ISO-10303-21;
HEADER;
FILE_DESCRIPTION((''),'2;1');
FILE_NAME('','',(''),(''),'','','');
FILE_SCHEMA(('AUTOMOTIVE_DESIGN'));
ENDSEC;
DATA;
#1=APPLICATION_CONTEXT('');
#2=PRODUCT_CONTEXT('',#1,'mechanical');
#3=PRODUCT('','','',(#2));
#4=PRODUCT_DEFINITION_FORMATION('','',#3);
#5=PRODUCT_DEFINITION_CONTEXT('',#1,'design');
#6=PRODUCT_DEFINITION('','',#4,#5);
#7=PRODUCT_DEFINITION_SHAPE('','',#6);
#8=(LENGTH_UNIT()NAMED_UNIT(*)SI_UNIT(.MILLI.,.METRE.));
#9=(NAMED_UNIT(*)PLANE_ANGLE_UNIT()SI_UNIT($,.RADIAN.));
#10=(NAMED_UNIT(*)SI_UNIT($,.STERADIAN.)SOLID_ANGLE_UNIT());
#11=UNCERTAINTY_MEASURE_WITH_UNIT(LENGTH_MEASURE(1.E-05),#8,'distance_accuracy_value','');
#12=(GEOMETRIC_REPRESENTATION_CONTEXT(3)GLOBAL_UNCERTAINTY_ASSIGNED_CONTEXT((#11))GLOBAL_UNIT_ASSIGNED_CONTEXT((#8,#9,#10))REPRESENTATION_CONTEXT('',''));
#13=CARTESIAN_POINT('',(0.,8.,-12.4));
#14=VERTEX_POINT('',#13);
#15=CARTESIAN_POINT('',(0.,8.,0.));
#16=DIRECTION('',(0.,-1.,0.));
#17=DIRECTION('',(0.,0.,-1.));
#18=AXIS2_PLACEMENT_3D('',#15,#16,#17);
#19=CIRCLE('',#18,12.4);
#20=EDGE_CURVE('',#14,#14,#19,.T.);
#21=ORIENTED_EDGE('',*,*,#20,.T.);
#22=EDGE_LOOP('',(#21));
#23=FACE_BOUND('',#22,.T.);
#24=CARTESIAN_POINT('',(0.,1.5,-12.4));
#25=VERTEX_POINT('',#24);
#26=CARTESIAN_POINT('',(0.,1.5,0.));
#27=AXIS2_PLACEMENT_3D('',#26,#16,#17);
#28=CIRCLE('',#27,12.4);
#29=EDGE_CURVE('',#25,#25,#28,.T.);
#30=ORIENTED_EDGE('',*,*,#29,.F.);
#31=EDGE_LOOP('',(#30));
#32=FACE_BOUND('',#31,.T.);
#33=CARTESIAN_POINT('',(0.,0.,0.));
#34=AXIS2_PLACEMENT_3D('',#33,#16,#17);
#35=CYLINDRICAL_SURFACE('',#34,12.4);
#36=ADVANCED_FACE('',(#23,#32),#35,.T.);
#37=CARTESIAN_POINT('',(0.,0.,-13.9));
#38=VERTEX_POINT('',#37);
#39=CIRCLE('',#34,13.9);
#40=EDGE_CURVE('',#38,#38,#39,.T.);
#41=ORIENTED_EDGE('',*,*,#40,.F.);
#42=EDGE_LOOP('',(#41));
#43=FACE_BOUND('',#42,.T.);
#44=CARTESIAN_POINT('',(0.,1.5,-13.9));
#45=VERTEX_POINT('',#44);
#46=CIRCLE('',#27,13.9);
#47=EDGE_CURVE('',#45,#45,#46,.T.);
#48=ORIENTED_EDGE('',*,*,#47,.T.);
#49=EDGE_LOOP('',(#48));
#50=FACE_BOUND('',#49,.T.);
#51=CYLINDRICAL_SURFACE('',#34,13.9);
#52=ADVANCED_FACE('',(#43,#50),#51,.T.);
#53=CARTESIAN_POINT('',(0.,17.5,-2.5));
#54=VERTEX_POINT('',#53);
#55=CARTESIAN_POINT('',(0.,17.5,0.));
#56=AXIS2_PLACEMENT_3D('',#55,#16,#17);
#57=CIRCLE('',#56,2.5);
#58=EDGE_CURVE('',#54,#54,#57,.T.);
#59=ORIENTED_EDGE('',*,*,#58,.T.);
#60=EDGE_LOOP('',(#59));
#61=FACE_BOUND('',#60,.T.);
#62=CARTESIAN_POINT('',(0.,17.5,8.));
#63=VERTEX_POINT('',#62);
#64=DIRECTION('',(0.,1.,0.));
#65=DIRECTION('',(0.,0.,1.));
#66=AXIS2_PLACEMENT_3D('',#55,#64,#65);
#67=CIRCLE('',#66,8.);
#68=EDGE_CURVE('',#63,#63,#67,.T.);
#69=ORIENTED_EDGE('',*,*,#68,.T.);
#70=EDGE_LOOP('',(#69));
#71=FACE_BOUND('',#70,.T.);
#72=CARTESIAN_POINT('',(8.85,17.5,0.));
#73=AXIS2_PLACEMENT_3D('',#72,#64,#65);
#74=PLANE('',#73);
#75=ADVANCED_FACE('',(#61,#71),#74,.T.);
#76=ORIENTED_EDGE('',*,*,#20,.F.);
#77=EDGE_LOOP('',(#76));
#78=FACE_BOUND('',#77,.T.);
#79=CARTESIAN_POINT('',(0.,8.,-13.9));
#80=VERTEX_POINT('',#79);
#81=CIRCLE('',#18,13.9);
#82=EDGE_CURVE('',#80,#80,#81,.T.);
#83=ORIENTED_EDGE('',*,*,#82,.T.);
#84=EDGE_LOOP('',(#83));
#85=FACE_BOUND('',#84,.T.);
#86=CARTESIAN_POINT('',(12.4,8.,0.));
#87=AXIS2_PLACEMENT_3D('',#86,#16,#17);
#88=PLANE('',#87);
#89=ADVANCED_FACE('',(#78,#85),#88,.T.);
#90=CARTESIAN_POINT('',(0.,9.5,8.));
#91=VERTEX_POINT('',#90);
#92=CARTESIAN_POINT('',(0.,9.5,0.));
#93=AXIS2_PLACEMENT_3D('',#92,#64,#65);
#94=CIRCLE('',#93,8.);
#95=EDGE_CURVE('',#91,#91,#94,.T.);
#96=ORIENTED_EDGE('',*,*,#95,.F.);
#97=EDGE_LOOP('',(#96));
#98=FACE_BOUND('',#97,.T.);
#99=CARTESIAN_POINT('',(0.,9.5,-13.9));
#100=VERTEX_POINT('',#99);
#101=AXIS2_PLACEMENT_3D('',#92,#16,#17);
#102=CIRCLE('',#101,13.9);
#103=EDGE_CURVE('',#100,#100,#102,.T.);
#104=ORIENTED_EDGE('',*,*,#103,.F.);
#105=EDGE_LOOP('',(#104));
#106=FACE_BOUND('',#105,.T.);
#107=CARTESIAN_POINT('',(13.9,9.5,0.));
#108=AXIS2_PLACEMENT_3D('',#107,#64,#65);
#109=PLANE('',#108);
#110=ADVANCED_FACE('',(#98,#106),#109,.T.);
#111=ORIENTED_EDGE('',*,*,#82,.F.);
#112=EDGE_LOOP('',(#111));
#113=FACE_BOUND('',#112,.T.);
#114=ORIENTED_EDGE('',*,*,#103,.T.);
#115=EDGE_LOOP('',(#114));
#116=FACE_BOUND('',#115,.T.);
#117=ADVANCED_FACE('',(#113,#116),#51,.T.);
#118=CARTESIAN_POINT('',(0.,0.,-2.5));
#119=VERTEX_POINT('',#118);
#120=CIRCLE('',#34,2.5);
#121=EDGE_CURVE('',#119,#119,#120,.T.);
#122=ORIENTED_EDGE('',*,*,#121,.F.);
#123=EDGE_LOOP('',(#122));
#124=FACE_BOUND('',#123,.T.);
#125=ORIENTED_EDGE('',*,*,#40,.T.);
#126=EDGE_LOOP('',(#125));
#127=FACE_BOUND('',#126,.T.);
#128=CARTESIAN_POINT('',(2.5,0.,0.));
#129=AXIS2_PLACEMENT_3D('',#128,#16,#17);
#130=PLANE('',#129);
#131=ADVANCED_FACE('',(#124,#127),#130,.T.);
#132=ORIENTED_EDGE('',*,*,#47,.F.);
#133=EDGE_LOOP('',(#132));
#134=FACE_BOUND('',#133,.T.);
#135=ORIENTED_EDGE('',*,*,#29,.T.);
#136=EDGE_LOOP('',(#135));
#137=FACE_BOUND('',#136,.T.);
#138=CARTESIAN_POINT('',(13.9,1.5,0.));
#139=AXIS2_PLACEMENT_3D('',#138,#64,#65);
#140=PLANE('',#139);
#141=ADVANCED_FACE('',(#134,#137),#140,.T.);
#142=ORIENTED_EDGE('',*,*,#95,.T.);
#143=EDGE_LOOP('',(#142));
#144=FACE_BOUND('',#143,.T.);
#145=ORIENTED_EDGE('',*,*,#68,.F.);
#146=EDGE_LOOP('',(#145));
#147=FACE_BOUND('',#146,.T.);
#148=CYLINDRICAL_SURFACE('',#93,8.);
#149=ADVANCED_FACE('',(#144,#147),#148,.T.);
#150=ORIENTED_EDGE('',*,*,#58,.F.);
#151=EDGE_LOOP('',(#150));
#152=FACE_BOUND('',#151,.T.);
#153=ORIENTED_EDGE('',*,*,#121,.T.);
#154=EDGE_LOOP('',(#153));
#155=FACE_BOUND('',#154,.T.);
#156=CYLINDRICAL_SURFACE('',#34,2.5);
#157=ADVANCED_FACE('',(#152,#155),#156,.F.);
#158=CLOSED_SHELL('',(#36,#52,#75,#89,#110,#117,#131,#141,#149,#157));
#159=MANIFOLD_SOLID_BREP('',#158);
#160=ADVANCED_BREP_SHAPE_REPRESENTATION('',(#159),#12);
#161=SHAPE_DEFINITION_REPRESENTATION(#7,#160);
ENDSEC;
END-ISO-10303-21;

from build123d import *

# Parameters (mm, degrees)
ESQUISSE2_R             = 8.85
ESQUISSE2_R_2           = 8
ENL_V_MAT_EXTRU_1_DEPTH = 8


with BuildPart() as part:
    # Esquisse1 → Révolution1 (revolve)
    with BuildSketch(Plane.XY, mode=Mode.PRIVATE) as r_volution1_sk:
        Polygon((2.5, 0), (13.9, 0), (13.9, 1.5), (12.4, 1.5), (12.4, 8), (13.9, 8), (13.9, 9.5), (8.85, 9.5), (8.85, 17.5), (2.5, 17.5), align=None)
    revolve(r_volution1_sk.sketch.rotate(Axis((0, 0, 0), (0, 1, 0)), 90), axis=Axis((0, 0, 0), (0, 1, 0)))

    # Esquisse2 → Enlèv. mat.-Extru.1 (cut)
    with BuildSketch(Plane(origin=(0, 17.5, 0), x_dir=(1, 0, 0), z_dir=(0, 1, 0))):
        Circle(ESQUISSE2_R)
        with Locations(Location((0, 0, 0), (0, 0, 270))):
            Circle(ESQUISSE2_R_2, mode=Mode.SUBTRACT)
    extrude(amount=-ENL_V_MAT_EXTRU_1_DEPTH, mode=Mode.SUBTRACT)


solid = part.part
